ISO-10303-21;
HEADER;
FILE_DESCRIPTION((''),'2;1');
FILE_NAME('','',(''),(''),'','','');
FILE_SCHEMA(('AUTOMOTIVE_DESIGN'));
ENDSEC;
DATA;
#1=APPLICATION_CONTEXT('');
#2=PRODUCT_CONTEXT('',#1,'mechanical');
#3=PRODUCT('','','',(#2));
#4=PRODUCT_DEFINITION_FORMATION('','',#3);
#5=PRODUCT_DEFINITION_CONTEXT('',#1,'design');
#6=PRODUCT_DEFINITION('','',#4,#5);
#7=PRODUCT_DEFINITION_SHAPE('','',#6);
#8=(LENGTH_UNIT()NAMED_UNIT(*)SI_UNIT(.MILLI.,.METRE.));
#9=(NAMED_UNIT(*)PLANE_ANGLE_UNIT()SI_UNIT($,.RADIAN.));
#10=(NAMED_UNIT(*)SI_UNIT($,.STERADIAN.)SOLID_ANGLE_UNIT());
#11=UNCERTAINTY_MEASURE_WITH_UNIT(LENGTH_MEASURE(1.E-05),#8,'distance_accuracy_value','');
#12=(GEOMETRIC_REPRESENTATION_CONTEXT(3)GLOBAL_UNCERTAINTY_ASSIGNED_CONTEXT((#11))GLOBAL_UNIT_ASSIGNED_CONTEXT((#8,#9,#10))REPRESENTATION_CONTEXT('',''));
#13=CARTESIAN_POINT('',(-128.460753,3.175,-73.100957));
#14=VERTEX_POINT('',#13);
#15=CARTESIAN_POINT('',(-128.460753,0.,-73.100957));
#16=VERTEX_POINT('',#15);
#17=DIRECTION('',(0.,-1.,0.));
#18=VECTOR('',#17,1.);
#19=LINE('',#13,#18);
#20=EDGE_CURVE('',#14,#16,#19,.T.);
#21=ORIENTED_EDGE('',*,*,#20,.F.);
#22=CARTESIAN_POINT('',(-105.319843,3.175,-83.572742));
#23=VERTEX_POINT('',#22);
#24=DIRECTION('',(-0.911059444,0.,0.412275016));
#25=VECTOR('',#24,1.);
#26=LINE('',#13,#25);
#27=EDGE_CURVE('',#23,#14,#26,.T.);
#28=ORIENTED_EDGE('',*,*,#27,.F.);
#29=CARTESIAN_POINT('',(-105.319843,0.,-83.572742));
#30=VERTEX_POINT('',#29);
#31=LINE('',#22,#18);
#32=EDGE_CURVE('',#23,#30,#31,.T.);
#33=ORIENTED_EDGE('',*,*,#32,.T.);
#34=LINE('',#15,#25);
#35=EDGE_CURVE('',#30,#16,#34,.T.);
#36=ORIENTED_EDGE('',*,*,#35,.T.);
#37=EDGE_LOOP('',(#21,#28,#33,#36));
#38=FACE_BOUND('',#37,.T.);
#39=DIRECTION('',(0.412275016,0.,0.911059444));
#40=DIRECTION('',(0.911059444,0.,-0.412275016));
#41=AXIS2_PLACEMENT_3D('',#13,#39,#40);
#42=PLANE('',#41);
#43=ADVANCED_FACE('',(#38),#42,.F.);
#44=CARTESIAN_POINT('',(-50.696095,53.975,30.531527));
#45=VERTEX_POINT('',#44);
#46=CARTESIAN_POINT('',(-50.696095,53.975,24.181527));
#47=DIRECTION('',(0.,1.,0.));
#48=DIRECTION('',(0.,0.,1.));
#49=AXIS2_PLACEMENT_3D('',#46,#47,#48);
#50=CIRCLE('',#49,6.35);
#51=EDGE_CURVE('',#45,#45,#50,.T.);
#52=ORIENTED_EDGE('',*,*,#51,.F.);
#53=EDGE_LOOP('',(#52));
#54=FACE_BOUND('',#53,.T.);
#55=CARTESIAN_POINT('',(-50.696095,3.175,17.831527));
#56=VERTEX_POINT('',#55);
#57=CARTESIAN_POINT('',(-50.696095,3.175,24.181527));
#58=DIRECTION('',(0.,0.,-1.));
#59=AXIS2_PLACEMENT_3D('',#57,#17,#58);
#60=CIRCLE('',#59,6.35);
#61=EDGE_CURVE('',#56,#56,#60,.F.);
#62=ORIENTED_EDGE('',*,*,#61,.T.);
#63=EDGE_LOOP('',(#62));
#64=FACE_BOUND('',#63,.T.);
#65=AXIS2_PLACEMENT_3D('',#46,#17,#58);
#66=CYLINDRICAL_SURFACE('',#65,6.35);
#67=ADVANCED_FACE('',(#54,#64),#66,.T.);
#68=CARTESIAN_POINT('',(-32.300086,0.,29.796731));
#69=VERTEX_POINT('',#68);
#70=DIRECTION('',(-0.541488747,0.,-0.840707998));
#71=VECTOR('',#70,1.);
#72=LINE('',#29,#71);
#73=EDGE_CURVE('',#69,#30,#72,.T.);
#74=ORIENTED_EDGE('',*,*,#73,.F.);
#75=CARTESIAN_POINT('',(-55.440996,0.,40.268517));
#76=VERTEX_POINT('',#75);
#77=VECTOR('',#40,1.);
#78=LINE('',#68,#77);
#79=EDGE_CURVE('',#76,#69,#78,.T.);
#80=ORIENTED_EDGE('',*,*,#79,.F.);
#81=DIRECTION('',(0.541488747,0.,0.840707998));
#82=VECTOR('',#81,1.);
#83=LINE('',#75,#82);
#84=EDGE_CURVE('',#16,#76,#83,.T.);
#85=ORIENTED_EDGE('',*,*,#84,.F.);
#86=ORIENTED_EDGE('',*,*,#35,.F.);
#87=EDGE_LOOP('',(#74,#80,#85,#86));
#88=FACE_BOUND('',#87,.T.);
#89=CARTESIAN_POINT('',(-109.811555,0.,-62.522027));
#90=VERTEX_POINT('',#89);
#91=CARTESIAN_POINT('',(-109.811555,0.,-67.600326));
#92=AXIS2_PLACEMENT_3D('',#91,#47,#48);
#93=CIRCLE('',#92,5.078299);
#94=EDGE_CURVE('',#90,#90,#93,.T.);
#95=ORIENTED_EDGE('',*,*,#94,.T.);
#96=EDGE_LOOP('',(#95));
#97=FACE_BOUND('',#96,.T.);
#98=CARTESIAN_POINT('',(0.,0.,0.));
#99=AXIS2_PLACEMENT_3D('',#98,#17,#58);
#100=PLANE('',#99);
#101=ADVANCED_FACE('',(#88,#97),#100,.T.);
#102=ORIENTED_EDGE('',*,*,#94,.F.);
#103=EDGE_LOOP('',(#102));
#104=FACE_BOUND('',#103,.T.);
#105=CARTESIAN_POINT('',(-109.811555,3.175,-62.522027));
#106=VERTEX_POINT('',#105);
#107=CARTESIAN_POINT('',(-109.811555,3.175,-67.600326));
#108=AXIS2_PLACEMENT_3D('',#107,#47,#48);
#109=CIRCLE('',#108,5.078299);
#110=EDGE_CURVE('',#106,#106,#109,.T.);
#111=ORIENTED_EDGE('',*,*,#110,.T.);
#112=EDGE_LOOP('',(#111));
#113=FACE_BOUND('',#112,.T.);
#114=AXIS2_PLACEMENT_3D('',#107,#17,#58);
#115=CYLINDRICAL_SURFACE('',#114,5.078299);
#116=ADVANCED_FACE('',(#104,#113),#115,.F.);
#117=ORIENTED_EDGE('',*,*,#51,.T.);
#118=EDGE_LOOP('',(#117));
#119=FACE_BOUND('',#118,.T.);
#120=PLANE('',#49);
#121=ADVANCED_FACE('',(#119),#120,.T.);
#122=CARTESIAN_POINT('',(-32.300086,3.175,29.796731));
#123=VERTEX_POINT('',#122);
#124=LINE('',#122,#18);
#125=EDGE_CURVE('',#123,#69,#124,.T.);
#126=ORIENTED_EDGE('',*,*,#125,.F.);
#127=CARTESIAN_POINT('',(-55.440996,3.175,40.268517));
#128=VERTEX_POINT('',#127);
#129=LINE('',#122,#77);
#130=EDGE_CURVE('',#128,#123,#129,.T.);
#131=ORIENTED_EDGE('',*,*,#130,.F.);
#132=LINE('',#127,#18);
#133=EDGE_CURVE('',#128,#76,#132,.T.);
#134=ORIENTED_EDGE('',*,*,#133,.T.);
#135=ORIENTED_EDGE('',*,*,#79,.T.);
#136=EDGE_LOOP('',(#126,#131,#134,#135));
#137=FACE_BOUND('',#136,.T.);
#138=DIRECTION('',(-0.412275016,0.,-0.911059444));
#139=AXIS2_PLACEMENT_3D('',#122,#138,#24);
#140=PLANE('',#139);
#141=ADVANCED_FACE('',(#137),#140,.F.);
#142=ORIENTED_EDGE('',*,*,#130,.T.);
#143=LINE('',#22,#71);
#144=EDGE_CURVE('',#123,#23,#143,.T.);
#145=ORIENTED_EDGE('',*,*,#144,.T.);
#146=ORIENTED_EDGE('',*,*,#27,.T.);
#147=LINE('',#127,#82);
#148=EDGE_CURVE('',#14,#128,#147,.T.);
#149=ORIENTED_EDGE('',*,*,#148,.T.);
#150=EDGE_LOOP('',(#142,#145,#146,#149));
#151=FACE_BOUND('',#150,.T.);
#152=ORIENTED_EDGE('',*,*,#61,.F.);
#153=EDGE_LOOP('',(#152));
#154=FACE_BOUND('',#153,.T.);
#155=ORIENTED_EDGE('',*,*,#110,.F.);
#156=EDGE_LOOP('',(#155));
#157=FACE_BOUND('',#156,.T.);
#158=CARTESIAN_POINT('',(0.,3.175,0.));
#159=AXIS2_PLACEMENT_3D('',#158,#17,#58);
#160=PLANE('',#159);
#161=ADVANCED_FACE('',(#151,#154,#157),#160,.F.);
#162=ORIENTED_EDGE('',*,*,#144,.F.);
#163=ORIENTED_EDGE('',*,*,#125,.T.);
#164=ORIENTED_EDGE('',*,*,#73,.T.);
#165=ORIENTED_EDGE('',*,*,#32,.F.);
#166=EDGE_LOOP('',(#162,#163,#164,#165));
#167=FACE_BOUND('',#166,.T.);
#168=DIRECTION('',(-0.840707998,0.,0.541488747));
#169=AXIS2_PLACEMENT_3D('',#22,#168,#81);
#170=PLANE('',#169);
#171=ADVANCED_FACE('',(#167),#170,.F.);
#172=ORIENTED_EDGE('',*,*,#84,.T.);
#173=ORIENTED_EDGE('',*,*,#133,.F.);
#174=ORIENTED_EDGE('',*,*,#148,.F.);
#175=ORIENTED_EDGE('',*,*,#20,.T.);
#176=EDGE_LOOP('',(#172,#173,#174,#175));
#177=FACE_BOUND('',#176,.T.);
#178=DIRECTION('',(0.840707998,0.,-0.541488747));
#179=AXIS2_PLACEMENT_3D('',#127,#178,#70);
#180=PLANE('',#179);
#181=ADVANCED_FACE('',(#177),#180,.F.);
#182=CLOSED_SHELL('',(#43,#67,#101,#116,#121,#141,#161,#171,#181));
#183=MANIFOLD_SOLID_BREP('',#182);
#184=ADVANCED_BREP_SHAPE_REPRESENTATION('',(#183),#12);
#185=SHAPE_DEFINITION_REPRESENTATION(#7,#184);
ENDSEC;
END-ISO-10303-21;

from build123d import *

# Parameters (mm, degrees)
SKETCH1_R           = 5.078298903
BOSS_EXTRUDE1_DEPTH = 3.175
SKETCH2_R           = 6.35
BOSS_EXTRUDE2_DEPTH = 50.8


with BuildPart() as part:
    # Sketch1 → Boss-Extrude1 (new body)
    with BuildSketch(Plane(origin=(0, 0, 0), x_dir=(1, 0, 0), z_dir=(0, 1, 0))):
        Polygon((-55.44099562, -40.268516884), (-128.460753109, 73.100956593), (-105.319843222, 83.572742001), (-32.300085734, -29.796731476), align=None)
        with Locations((-109.811555345, 67.600325735)):
            Circle(SKETCH1_R, mode=Mode.SUBTRACT)
    extrude(amount=BOSS_EXTRUDE1_DEPTH)

    # Sketch2 → Boss-Extrude2 (add)
    with BuildSketch(Plane(origin=(0, 3.175, 0), x_dir=(1, 0, 0), z_dir=(0, 1, 0))):
        with Locations((-50.696094851, -24.181527026)):
            Circle(SKETCH2_R)
    extrude(amount=BOSS_EXTRUDE2_DEPTH)


solid = part.part
